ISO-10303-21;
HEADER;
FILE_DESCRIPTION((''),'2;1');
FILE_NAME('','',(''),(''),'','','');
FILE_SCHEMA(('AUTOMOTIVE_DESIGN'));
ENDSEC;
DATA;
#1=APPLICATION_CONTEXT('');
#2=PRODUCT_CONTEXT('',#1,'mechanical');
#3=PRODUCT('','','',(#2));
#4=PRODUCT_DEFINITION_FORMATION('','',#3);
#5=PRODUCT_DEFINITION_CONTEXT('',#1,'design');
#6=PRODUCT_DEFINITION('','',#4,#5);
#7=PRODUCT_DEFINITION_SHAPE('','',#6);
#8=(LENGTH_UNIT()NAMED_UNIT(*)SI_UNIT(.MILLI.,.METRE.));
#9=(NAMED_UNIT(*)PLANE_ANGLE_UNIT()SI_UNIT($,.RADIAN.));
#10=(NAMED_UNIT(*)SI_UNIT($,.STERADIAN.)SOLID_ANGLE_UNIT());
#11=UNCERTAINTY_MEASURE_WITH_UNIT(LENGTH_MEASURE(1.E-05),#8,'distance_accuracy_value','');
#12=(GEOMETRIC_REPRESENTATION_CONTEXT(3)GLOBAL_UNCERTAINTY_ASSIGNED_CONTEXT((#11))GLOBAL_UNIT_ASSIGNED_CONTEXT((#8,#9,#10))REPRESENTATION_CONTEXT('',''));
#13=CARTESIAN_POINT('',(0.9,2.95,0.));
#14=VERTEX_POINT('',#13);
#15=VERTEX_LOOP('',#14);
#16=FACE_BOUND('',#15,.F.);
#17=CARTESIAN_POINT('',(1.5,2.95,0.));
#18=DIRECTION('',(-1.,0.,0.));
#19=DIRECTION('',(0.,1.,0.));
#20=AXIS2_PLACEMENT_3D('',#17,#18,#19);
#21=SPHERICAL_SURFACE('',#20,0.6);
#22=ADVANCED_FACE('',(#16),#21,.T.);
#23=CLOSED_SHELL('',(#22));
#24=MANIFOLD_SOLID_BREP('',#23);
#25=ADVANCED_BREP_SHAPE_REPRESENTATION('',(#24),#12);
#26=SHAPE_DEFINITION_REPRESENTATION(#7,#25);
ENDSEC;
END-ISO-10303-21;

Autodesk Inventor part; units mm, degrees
ref_plane "YZ Plane" through (0, 0, 0) normal (1, 0, 0) x (0, 1, 0)
ref_plane "XZ Plane" through (0, 0, 0) normal (0, 1, 0) x (-1, 0, 0)
ref_plane "XY Plane" through (0, 0, 0) normal (0, 0, 1) x (1, 0, 0)
sketch "Sketch_3" plane through (0, 0, 0) normal (0, 0, 1) x (1, 0, 0)
  line L0 (2.1, 2.95) -> (0.9, 2.95)
  arc A0 (2.1, 2.95) -> (0.9, 2.95) centre (1.5, 2.95) ccw
  line L1 (2.1, 2.95) -> (0.9, 2.95)
  dimension "d0" = 360
revolve "Revolution1" add sketch "Sketch_3" angle 360 about axis through (2.1, 2.95, 0) along (1, 0, 0)
properties part number "W 637/4 X-2Z_PART3"
